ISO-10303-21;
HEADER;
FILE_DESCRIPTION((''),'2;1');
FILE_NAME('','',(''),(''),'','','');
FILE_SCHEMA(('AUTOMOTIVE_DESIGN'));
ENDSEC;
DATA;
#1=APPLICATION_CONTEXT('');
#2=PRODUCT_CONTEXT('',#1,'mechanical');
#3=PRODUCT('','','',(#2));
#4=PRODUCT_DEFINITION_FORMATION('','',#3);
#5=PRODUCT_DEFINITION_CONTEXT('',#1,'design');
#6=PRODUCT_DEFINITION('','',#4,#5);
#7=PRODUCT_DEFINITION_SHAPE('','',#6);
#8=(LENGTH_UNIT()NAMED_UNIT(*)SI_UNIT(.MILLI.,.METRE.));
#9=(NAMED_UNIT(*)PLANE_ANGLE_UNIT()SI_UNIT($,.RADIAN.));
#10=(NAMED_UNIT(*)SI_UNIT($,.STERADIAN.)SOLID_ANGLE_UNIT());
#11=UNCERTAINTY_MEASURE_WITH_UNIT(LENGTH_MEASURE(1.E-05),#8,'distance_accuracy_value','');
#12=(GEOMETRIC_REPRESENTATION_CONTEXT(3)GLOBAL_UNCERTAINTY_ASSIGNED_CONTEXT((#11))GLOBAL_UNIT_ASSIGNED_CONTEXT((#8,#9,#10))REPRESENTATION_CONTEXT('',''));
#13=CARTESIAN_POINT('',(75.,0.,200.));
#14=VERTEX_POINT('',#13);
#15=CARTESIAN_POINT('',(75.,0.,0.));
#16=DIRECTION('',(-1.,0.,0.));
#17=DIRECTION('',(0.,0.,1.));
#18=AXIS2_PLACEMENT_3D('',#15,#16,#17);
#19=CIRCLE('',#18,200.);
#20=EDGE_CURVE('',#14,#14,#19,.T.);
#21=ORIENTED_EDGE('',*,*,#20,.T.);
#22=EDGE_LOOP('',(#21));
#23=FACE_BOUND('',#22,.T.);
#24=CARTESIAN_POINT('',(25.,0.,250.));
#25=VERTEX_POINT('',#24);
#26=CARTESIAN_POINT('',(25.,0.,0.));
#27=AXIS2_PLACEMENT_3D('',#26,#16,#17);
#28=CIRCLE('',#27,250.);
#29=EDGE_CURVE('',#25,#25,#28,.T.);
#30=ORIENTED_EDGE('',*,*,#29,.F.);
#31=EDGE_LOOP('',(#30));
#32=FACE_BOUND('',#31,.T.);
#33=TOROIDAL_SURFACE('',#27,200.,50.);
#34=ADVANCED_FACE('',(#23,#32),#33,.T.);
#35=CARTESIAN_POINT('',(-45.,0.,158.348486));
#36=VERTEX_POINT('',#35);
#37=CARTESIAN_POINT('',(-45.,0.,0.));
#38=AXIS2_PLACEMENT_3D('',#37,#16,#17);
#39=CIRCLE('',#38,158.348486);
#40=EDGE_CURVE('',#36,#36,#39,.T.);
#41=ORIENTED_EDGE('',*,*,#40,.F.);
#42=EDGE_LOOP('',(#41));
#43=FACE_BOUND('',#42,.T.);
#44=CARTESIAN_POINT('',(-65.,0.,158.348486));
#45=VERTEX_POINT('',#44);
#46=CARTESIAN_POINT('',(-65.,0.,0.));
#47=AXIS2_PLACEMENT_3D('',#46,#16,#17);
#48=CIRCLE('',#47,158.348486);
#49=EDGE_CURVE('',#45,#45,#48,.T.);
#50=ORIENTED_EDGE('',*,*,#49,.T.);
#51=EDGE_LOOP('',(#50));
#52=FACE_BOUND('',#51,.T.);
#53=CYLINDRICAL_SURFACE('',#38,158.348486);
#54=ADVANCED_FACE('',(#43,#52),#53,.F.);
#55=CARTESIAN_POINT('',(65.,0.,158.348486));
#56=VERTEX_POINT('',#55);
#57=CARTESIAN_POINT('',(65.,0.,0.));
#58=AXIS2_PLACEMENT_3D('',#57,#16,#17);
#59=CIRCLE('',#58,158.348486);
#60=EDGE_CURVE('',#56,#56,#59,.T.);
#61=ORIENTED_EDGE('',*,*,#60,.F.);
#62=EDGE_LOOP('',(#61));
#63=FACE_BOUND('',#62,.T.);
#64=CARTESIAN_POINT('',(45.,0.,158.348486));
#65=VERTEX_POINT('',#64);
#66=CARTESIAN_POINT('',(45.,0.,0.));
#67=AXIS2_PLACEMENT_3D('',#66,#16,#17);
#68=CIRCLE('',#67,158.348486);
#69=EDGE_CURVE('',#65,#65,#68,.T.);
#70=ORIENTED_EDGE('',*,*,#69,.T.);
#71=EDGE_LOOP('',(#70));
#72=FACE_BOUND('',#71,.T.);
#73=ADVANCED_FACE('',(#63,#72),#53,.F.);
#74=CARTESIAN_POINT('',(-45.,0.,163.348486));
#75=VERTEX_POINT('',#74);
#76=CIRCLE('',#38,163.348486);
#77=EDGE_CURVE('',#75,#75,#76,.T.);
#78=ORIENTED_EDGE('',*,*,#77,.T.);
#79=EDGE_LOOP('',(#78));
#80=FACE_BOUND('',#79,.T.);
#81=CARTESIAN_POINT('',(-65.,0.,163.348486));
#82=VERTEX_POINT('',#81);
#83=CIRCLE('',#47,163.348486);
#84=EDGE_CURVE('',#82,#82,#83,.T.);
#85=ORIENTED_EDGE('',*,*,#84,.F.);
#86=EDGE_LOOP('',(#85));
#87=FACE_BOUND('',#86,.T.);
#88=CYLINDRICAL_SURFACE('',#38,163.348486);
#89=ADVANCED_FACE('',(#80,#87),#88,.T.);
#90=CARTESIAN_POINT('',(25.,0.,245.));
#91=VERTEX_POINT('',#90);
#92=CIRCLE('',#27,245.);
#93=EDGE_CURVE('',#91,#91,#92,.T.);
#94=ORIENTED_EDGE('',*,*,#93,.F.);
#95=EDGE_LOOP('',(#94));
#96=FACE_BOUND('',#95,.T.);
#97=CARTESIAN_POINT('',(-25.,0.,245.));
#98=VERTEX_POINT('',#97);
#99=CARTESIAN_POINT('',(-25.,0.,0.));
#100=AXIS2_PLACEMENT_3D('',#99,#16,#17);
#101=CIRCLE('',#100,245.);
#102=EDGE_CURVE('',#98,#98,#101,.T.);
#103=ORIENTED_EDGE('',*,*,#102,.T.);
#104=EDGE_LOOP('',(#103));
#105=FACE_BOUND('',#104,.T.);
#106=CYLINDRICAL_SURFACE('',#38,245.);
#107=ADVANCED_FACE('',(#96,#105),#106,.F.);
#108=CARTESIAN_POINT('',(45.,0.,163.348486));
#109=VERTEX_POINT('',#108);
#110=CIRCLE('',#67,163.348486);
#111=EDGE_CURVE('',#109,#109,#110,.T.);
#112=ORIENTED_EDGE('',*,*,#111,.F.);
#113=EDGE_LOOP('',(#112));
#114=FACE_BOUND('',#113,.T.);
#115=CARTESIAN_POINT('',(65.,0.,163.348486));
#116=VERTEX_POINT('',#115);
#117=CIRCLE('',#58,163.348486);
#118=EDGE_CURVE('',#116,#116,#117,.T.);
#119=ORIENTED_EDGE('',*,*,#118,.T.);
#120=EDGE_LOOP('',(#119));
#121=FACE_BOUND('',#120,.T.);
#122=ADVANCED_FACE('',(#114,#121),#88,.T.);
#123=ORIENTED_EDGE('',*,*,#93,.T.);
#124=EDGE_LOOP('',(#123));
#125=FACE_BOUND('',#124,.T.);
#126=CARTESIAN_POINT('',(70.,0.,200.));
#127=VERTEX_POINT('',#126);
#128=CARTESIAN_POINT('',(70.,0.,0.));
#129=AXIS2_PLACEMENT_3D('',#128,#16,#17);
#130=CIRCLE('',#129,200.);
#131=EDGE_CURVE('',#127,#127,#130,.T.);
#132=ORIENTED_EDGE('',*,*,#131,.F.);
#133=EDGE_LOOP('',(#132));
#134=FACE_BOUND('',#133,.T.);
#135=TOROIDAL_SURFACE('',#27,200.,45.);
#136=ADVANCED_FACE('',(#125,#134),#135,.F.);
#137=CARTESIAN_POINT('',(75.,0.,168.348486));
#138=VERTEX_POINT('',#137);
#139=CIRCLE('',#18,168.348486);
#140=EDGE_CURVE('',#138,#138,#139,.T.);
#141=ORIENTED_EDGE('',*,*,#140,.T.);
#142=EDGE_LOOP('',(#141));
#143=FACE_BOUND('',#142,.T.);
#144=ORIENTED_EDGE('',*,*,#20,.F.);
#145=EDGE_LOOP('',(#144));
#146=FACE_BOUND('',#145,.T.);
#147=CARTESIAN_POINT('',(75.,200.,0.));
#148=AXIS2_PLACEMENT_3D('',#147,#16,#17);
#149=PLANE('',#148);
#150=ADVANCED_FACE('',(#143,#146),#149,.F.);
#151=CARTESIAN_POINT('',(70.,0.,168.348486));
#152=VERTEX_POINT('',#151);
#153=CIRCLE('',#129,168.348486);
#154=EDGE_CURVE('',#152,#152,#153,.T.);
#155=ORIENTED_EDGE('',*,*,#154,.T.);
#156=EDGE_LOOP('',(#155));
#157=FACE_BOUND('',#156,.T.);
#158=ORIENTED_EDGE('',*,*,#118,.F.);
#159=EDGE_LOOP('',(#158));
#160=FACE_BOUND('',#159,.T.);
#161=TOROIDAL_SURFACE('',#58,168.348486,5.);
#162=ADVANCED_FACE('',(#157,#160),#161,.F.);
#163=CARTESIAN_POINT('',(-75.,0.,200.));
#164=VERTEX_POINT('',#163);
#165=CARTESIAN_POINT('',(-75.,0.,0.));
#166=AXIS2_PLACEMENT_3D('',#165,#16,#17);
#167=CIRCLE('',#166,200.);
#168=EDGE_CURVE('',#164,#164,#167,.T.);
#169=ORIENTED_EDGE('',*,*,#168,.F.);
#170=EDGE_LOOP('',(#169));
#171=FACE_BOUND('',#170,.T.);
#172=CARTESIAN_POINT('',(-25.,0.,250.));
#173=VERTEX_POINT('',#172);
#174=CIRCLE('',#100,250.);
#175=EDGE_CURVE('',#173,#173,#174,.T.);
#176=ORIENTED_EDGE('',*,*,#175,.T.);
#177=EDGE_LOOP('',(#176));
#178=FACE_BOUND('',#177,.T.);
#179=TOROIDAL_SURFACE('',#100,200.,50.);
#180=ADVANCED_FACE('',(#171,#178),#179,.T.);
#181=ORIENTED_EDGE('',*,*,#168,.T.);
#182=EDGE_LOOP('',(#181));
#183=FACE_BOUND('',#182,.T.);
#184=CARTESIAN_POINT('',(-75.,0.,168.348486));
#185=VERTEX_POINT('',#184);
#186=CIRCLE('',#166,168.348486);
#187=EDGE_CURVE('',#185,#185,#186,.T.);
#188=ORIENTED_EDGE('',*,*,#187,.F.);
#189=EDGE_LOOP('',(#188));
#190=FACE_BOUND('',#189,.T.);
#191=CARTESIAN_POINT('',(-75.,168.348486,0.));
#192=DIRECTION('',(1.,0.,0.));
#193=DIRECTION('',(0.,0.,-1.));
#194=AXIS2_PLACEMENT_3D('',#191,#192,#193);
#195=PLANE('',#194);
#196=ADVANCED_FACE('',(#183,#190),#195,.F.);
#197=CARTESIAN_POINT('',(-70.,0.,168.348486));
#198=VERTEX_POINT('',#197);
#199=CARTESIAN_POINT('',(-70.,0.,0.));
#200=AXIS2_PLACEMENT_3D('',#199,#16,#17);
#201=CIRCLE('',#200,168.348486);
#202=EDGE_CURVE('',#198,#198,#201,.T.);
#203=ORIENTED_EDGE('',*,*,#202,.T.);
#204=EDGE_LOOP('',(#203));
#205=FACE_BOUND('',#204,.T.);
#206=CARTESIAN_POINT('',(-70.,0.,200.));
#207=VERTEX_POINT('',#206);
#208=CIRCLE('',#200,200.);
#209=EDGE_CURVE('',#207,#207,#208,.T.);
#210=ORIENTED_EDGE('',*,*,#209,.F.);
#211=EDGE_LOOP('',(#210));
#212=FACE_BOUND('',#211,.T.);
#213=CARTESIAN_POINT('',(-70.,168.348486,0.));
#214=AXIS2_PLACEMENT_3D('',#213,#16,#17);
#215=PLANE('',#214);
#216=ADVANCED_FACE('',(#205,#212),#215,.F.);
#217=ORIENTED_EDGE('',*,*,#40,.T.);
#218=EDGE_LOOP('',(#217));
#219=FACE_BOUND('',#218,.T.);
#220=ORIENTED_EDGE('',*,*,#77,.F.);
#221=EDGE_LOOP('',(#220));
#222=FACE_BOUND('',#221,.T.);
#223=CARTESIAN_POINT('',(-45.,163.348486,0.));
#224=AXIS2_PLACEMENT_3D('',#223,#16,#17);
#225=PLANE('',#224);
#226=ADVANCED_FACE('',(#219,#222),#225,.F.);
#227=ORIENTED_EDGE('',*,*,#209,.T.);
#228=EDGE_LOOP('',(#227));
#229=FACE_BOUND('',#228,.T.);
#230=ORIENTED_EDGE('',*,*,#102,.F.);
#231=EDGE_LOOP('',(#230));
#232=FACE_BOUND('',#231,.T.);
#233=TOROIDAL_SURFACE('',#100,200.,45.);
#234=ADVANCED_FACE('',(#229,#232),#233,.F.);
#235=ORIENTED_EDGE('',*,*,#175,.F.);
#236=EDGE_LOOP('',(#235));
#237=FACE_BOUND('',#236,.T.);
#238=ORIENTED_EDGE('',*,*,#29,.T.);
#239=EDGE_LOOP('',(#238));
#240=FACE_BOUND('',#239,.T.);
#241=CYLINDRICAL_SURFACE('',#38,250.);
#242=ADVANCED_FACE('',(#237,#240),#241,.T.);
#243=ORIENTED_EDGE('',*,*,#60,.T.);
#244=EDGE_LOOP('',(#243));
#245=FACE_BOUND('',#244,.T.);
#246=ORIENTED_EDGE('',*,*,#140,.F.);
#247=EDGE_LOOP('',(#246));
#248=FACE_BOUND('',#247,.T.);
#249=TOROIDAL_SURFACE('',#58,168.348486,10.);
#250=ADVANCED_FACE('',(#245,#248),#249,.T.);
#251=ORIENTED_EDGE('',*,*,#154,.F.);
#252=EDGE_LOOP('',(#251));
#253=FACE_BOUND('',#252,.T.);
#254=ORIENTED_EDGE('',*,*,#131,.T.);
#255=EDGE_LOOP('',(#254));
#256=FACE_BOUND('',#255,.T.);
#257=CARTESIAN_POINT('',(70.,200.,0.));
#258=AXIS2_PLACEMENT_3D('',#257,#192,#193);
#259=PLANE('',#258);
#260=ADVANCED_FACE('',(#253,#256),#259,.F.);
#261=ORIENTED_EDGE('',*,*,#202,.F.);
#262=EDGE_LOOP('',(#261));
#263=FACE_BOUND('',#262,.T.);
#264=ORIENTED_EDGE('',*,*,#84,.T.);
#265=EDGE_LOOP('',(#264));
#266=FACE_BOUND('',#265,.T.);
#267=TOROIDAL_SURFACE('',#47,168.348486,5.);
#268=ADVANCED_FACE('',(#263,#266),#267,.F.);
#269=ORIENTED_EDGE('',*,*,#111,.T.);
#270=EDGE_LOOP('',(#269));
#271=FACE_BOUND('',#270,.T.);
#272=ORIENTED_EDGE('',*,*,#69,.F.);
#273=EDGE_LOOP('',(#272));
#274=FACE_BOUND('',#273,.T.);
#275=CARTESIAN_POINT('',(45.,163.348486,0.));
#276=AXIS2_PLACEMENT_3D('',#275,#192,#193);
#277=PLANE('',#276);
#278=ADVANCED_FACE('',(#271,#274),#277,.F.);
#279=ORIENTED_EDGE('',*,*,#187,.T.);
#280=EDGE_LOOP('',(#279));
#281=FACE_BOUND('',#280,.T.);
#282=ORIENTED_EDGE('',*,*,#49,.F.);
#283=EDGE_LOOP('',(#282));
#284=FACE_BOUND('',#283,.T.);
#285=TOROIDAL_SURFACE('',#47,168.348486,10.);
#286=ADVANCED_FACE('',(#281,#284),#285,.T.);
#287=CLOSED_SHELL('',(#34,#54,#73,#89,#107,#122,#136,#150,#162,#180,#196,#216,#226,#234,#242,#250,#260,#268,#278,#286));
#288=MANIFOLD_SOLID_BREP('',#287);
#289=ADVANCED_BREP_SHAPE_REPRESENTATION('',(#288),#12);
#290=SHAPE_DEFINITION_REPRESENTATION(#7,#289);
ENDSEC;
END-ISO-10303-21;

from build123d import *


with BuildPart() as part:
    # Sketch2 → Revolve2 (revolve)
    with BuildSketch(Plane.XY, mode=Mode.PRIVATE) as revolve2_sk:
        with BuildLine():
            Line((-45, 158.348486101), (-65, 158.348486101))
            ThreePointArc((-65, 158.348486101), (-72.071067812, 161.277418289), (-75, 168.348486101))
            Line((-75, 168.348486101), (-75, 200))
            ThreePointArc((-75, 200), (-60.355339059, 235.355339059), (-25, 250))
            Line((-25, 250), (25, 250))
            ThreePointArc((25, 250), (60.355339059, 235.355339059), (75, 200))
            Line((75, 200), (75, 168.348486101))
            ThreePointArc((75, 168.348486101), (72.071067812, 161.277418289), (65, 158.348486101))
            Line((65, 158.348486101), (45, 158.348486101))
            Line((45, 158.348486101), (45, 163.348486101))
            Line((45, 163.348486101), (65, 163.348486101))
            ThreePointArc((65, 163.348486101), (68.535533906, 164.812952195), (70, 168.348486101))
            Line((70, 168.348486101), (70, 200))
            ThreePointArc((70, 200), (56.819805153, 231.819805153), (25, 245))
            Line((25, 245), (-25, 245))
            ThreePointArc((-25, 245), (-56.819805153, 231.819805153), (-70, 200))
            Line((-70, 200), (-70, 168.348486101))
            ThreePointArc((-70, 168.348486101), (-68.535533906, 164.812952195), (-65, 163.348486101))
            Line((-65, 163.348486101), (-45, 163.348486101))
            Line((-45, 163.348486101), (-45, 158.348486101))
        make_face()
    revolve(revolve2_sk.sketch.rotate(Axis((-45, 0, 0), (1, 0, 0)), 90), axis=Axis((-45, 0, 0), (1, 0, 0)))


solid = part.part
